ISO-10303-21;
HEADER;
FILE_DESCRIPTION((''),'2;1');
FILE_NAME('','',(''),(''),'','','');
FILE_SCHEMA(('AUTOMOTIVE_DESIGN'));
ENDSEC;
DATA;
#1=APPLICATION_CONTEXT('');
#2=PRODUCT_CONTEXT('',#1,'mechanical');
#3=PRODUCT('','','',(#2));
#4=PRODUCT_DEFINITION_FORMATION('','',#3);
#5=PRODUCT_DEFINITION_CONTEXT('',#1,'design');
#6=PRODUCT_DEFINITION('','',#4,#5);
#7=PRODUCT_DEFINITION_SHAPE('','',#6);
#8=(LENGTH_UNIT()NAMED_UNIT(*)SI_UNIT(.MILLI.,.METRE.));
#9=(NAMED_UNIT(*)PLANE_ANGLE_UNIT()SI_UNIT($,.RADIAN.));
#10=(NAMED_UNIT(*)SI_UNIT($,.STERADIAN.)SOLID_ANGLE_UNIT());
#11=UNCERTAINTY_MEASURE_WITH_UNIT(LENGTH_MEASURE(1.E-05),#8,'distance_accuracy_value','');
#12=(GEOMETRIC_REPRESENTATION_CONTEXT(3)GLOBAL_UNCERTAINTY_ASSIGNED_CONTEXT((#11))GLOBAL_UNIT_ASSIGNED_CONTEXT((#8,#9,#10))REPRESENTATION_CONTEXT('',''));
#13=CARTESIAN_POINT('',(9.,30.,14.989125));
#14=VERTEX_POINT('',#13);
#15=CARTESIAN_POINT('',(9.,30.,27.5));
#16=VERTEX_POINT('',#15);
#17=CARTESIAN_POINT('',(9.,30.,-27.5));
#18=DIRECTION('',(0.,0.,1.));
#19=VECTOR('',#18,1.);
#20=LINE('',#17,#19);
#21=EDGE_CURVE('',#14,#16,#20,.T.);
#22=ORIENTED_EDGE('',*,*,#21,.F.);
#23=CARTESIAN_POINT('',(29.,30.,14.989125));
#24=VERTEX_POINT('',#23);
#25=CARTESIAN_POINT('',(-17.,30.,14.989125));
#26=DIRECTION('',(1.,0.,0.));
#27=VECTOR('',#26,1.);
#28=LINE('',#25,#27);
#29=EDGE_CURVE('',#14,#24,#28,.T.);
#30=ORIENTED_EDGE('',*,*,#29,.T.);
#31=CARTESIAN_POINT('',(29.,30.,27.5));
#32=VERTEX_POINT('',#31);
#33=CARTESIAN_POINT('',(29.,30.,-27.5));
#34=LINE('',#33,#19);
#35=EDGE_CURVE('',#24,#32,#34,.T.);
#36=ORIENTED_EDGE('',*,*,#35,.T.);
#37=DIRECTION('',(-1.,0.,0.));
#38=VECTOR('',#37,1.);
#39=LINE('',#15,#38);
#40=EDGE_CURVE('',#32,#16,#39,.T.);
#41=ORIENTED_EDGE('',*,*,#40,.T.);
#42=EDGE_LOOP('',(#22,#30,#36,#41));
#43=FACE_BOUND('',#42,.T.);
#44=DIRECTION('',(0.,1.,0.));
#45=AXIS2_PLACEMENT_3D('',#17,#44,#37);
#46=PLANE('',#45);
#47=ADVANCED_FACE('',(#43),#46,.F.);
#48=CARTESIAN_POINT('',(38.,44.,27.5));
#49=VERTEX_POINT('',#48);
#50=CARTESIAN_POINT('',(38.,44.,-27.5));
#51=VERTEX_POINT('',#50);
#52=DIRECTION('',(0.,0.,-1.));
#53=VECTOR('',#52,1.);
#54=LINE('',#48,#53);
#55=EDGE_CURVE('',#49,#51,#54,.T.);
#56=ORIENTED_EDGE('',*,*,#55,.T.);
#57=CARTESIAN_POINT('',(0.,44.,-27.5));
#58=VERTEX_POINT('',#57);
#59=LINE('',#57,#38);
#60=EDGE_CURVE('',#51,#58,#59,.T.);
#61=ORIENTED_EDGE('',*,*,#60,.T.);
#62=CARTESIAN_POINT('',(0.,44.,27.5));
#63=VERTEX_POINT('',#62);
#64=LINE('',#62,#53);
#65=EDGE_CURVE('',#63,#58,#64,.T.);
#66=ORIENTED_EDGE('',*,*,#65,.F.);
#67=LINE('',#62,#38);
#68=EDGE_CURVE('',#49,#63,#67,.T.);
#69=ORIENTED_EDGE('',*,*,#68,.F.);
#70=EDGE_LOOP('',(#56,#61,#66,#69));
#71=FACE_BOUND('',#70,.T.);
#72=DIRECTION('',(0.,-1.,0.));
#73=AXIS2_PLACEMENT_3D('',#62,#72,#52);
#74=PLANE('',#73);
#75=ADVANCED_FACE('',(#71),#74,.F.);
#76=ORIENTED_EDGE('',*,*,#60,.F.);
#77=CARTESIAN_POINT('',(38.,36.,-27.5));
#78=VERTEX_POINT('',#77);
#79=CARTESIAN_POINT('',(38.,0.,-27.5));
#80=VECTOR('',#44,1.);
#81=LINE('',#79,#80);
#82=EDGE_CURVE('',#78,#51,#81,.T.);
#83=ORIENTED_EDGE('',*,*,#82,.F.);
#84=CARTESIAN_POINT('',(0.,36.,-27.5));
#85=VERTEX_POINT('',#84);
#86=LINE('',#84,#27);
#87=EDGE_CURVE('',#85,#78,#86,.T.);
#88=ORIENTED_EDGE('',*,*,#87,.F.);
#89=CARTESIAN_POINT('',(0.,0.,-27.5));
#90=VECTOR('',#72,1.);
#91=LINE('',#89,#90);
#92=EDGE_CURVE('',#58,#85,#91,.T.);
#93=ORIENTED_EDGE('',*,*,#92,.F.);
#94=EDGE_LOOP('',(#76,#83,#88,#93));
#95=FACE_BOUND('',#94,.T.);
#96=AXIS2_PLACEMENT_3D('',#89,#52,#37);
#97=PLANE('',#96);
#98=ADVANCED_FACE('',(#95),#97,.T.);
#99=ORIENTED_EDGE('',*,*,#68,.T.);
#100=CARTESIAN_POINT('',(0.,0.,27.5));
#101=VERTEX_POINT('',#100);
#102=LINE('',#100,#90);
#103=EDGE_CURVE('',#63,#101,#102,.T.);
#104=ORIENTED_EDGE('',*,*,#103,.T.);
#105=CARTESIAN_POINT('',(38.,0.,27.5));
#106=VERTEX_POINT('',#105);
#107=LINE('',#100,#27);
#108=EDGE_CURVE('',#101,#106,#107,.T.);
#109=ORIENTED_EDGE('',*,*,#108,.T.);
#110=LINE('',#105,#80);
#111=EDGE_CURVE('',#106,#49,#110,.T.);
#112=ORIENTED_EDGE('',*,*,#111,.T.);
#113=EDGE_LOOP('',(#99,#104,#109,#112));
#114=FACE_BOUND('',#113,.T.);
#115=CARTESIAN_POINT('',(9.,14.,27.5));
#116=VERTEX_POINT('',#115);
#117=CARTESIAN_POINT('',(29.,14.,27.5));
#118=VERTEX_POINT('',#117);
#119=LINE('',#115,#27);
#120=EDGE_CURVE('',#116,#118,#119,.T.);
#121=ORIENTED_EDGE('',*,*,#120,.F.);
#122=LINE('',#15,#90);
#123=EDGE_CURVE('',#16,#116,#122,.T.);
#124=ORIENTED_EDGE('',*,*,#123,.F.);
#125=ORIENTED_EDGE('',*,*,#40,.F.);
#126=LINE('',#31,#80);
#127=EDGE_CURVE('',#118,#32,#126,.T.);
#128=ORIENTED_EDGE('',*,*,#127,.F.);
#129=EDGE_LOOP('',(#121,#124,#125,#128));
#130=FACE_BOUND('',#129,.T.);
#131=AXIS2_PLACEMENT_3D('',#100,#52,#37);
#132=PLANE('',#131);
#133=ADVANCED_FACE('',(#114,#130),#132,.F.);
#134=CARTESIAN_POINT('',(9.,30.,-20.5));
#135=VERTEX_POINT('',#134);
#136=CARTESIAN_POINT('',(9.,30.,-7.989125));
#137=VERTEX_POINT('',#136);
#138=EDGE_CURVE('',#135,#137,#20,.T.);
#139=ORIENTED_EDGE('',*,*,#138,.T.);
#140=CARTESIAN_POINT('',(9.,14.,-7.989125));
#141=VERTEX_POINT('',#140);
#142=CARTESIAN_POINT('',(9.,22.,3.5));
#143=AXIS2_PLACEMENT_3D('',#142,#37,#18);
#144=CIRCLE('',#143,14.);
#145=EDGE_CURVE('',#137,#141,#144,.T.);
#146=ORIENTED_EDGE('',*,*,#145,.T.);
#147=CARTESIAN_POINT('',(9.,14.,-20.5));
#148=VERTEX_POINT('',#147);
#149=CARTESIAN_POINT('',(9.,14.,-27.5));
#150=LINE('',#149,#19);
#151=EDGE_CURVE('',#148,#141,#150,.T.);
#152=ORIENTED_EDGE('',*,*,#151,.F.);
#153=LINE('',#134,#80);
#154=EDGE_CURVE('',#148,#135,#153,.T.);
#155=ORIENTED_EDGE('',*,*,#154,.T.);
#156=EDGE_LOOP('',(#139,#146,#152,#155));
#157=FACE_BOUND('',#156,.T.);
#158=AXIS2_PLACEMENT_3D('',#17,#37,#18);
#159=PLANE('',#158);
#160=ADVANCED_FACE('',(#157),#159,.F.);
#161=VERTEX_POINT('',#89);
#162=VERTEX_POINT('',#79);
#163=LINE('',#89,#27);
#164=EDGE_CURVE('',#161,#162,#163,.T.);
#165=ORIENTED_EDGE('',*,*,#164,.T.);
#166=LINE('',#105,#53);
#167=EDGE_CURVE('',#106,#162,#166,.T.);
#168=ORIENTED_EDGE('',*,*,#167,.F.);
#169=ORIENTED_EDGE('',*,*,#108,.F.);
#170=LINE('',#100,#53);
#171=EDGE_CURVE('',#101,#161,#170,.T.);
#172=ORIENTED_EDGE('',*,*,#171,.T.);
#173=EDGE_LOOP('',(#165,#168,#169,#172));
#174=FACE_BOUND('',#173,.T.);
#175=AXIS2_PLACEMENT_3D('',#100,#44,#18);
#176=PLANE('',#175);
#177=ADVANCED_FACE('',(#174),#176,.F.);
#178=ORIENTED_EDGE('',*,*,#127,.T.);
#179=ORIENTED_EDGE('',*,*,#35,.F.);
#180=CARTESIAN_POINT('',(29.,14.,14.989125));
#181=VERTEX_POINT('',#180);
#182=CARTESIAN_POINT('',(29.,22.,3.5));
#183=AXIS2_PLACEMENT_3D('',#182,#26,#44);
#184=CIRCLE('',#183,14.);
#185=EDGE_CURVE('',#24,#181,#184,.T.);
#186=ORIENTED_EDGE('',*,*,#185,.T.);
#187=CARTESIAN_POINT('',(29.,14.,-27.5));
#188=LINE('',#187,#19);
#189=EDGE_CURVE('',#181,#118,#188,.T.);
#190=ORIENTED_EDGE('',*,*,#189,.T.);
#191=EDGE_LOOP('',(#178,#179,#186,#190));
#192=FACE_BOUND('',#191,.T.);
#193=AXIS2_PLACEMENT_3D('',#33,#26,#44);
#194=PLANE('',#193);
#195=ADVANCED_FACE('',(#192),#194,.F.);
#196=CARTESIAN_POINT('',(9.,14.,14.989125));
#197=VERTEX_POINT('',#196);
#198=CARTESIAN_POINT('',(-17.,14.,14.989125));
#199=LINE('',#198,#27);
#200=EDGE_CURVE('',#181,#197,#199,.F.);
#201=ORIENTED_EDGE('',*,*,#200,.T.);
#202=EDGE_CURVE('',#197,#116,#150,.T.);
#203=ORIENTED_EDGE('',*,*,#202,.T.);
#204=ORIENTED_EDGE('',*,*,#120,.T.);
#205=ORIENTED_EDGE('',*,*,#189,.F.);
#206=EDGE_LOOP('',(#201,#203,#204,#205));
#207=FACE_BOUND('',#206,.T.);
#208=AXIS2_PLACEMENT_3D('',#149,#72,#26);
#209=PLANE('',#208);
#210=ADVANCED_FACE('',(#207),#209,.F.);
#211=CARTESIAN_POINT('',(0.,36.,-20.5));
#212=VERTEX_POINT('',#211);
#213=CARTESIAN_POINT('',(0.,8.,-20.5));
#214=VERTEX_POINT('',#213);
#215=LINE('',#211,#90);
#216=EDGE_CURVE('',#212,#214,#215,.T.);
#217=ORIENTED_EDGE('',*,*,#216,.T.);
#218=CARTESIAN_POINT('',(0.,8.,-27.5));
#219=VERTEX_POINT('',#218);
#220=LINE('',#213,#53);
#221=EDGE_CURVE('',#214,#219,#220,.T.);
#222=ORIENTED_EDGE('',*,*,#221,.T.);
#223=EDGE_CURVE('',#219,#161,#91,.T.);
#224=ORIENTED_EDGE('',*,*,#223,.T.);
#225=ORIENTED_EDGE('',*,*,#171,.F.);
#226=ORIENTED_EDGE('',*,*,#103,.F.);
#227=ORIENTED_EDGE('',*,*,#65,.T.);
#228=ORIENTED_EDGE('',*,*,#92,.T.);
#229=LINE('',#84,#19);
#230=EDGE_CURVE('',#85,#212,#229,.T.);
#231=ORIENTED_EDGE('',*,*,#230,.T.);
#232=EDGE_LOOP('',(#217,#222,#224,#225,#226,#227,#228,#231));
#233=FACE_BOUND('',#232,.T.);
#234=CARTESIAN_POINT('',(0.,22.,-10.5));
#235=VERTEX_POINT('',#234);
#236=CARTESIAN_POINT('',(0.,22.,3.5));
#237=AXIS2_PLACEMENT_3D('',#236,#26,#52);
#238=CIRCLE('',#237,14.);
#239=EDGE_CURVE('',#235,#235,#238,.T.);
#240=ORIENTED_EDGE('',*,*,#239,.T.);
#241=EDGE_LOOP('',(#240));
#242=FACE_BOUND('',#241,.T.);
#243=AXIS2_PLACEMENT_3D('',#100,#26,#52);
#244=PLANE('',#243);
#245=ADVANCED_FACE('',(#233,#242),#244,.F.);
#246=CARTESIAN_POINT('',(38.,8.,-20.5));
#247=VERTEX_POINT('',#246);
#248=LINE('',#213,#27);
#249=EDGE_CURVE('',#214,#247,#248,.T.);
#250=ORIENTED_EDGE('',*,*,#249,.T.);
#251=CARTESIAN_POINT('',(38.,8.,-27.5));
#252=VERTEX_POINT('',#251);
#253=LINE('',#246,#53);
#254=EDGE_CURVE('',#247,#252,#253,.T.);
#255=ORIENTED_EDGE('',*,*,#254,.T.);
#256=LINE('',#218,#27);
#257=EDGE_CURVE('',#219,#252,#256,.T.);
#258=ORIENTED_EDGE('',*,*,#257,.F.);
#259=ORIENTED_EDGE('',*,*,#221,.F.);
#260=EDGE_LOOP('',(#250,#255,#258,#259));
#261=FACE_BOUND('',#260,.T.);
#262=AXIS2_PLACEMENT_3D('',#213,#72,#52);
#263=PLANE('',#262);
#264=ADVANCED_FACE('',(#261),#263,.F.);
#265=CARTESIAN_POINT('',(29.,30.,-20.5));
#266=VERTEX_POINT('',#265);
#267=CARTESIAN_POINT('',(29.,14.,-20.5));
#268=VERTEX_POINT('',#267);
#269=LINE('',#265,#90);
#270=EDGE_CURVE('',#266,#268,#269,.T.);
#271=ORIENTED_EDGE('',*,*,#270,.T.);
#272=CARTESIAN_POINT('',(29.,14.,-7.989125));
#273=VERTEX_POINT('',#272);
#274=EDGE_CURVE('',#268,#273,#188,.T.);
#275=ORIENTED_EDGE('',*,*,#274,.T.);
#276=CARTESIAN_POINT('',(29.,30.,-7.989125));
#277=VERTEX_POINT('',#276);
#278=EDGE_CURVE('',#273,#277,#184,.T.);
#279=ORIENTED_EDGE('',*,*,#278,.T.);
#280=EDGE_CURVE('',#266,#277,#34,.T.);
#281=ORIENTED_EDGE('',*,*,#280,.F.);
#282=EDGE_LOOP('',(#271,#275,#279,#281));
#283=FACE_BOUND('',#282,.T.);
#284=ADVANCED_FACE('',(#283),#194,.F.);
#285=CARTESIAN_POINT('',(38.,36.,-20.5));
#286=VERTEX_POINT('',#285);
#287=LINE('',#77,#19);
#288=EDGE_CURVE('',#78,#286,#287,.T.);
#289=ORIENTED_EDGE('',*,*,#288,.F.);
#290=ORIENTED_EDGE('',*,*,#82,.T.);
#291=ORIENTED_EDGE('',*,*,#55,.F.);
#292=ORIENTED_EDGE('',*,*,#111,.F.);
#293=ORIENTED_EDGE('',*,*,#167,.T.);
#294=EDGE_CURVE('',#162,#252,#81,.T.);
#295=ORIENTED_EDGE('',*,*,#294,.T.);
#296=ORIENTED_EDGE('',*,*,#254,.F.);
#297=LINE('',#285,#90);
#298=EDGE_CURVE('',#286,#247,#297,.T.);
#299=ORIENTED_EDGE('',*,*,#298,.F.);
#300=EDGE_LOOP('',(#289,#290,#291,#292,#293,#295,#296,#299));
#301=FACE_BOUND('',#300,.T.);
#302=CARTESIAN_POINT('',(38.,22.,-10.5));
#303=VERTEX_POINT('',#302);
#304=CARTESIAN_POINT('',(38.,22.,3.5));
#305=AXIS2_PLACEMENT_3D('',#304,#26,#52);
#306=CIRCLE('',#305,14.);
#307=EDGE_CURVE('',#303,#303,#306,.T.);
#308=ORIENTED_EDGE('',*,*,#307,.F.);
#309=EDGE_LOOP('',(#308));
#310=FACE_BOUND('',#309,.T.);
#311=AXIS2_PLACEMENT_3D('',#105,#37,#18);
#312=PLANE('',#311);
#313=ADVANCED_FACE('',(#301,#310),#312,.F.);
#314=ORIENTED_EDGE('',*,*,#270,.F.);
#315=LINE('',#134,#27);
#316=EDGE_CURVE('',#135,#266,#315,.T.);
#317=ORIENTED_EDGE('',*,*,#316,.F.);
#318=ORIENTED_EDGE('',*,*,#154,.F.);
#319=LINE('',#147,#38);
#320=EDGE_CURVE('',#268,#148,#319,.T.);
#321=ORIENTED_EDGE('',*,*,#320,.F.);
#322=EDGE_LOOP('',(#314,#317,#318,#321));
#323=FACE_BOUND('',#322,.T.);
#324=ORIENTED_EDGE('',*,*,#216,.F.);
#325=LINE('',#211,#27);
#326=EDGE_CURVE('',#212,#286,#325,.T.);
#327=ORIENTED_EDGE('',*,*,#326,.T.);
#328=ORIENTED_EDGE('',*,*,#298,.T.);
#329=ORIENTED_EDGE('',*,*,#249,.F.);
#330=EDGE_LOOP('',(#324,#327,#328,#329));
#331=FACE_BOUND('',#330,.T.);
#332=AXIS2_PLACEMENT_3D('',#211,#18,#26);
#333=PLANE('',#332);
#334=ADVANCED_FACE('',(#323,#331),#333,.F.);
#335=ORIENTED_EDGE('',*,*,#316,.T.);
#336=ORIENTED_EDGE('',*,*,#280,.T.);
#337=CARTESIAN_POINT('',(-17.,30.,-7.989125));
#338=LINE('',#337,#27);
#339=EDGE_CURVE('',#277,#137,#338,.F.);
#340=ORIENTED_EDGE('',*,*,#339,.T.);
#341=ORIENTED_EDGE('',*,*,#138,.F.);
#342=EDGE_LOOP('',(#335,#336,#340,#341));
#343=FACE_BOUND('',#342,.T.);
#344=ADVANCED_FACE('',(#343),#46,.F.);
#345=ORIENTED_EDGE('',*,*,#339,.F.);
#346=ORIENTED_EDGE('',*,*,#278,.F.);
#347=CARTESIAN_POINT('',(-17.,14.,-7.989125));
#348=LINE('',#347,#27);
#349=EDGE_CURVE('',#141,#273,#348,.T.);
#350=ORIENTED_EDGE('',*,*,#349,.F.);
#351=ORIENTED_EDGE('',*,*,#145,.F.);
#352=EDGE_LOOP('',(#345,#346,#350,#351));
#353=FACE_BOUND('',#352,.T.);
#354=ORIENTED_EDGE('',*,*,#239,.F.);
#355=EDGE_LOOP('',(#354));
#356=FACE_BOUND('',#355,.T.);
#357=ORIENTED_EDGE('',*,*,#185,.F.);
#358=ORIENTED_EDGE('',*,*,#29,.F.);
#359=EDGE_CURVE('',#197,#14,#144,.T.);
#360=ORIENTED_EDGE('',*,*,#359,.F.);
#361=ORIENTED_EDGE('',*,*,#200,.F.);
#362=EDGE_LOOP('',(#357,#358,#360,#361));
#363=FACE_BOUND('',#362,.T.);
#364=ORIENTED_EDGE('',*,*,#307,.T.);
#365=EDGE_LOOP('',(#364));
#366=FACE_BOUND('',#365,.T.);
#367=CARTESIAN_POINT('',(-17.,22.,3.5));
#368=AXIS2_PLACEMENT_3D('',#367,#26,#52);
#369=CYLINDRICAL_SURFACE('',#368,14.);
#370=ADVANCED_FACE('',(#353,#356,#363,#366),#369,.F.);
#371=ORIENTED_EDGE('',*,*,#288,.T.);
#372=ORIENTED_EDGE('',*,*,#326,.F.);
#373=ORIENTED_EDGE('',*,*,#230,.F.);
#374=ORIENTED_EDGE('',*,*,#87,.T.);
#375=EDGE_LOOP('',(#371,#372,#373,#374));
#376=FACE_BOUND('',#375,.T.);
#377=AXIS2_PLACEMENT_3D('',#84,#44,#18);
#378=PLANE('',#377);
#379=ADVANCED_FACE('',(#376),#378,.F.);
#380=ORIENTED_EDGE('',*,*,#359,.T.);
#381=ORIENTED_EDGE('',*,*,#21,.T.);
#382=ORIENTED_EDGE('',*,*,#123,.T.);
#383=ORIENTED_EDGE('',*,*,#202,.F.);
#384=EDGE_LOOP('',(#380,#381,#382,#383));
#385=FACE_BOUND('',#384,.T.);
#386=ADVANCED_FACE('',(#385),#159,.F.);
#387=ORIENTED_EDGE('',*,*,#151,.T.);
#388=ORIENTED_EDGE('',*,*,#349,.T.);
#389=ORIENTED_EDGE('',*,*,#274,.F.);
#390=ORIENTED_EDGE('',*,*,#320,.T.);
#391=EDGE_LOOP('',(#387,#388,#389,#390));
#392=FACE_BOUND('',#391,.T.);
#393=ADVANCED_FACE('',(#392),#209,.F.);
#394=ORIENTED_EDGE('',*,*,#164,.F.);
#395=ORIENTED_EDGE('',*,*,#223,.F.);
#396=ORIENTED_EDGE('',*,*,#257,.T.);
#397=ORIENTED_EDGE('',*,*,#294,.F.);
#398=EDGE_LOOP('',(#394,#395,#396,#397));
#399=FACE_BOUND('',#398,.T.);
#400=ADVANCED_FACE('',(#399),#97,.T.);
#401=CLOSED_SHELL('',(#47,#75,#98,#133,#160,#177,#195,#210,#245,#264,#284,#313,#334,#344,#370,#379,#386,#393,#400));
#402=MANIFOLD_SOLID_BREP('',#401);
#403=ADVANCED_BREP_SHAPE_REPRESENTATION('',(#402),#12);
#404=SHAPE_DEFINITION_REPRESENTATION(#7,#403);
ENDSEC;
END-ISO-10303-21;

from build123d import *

# Parameters (mm, degrees)
SKETCH1_W           = 38
SKETCH1_H           = 44
BOSS_EXTRUDE1_DEPTH = 27.5
SKETCH2_W           = 20
SKETCH2_H           = 16
CUT_EXTRUDE1_DEPTH  = 55
SKETCH3_R           = 14
CUT_EXTRUDE2_DEPTH  = 55
SKETCH4_W           = 7
SKETCH4_H           = 28
CUT_EXTRUDE3_DEPTH  = 65.313684391


with BuildPart() as part:
    # Sketch1 → Boss-Extrude1 (new, symmetric)
    with BuildSketch(Plane.XY):
        with Locations((19, 22)):
            Rectangle(SKETCH1_W, SKETCH1_H)
    extrude(amount=BOSS_EXTRUDE1_DEPTH, both=True)

    # Sketch2 → Cut-Extrude1 (cut)
    with BuildSketch(Plane.XY.offset(27.5)):
        with Locations((19, 22)):
            Rectangle(SKETCH2_W, SKETCH2_H)
    extrude(amount=-CUT_EXTRUDE1_DEPTH, mode=Mode.SUBTRACT)

    # Sketch3 → Cut-Extrude2 (cut)
    with BuildSketch(Plane(origin=(38, 0, 0), x_dir=(0, 0, -1), z_dir=(1, 0, 0))):
        with Locations((-3.5, 22)):
            Circle(SKETCH3_R)
    extrude(amount=-CUT_EXTRUDE2_DEPTH, mode=Mode.SUBTRACT)

    # Sketch4 → Cut-Extrude3 (cut, through all)
    with BuildSketch(Plane(origin=(38, 0, 0), x_dir=(0, 0, -1), z_dir=(1, 0, 0))):
        with Locations((24, 22)):
            Rectangle(SKETCH4_W, SKETCH4_H)
    extrude(amount=-CUT_EXTRUDE3_DEPTH, mode=Mode.SUBTRACT)


solid = part.part
